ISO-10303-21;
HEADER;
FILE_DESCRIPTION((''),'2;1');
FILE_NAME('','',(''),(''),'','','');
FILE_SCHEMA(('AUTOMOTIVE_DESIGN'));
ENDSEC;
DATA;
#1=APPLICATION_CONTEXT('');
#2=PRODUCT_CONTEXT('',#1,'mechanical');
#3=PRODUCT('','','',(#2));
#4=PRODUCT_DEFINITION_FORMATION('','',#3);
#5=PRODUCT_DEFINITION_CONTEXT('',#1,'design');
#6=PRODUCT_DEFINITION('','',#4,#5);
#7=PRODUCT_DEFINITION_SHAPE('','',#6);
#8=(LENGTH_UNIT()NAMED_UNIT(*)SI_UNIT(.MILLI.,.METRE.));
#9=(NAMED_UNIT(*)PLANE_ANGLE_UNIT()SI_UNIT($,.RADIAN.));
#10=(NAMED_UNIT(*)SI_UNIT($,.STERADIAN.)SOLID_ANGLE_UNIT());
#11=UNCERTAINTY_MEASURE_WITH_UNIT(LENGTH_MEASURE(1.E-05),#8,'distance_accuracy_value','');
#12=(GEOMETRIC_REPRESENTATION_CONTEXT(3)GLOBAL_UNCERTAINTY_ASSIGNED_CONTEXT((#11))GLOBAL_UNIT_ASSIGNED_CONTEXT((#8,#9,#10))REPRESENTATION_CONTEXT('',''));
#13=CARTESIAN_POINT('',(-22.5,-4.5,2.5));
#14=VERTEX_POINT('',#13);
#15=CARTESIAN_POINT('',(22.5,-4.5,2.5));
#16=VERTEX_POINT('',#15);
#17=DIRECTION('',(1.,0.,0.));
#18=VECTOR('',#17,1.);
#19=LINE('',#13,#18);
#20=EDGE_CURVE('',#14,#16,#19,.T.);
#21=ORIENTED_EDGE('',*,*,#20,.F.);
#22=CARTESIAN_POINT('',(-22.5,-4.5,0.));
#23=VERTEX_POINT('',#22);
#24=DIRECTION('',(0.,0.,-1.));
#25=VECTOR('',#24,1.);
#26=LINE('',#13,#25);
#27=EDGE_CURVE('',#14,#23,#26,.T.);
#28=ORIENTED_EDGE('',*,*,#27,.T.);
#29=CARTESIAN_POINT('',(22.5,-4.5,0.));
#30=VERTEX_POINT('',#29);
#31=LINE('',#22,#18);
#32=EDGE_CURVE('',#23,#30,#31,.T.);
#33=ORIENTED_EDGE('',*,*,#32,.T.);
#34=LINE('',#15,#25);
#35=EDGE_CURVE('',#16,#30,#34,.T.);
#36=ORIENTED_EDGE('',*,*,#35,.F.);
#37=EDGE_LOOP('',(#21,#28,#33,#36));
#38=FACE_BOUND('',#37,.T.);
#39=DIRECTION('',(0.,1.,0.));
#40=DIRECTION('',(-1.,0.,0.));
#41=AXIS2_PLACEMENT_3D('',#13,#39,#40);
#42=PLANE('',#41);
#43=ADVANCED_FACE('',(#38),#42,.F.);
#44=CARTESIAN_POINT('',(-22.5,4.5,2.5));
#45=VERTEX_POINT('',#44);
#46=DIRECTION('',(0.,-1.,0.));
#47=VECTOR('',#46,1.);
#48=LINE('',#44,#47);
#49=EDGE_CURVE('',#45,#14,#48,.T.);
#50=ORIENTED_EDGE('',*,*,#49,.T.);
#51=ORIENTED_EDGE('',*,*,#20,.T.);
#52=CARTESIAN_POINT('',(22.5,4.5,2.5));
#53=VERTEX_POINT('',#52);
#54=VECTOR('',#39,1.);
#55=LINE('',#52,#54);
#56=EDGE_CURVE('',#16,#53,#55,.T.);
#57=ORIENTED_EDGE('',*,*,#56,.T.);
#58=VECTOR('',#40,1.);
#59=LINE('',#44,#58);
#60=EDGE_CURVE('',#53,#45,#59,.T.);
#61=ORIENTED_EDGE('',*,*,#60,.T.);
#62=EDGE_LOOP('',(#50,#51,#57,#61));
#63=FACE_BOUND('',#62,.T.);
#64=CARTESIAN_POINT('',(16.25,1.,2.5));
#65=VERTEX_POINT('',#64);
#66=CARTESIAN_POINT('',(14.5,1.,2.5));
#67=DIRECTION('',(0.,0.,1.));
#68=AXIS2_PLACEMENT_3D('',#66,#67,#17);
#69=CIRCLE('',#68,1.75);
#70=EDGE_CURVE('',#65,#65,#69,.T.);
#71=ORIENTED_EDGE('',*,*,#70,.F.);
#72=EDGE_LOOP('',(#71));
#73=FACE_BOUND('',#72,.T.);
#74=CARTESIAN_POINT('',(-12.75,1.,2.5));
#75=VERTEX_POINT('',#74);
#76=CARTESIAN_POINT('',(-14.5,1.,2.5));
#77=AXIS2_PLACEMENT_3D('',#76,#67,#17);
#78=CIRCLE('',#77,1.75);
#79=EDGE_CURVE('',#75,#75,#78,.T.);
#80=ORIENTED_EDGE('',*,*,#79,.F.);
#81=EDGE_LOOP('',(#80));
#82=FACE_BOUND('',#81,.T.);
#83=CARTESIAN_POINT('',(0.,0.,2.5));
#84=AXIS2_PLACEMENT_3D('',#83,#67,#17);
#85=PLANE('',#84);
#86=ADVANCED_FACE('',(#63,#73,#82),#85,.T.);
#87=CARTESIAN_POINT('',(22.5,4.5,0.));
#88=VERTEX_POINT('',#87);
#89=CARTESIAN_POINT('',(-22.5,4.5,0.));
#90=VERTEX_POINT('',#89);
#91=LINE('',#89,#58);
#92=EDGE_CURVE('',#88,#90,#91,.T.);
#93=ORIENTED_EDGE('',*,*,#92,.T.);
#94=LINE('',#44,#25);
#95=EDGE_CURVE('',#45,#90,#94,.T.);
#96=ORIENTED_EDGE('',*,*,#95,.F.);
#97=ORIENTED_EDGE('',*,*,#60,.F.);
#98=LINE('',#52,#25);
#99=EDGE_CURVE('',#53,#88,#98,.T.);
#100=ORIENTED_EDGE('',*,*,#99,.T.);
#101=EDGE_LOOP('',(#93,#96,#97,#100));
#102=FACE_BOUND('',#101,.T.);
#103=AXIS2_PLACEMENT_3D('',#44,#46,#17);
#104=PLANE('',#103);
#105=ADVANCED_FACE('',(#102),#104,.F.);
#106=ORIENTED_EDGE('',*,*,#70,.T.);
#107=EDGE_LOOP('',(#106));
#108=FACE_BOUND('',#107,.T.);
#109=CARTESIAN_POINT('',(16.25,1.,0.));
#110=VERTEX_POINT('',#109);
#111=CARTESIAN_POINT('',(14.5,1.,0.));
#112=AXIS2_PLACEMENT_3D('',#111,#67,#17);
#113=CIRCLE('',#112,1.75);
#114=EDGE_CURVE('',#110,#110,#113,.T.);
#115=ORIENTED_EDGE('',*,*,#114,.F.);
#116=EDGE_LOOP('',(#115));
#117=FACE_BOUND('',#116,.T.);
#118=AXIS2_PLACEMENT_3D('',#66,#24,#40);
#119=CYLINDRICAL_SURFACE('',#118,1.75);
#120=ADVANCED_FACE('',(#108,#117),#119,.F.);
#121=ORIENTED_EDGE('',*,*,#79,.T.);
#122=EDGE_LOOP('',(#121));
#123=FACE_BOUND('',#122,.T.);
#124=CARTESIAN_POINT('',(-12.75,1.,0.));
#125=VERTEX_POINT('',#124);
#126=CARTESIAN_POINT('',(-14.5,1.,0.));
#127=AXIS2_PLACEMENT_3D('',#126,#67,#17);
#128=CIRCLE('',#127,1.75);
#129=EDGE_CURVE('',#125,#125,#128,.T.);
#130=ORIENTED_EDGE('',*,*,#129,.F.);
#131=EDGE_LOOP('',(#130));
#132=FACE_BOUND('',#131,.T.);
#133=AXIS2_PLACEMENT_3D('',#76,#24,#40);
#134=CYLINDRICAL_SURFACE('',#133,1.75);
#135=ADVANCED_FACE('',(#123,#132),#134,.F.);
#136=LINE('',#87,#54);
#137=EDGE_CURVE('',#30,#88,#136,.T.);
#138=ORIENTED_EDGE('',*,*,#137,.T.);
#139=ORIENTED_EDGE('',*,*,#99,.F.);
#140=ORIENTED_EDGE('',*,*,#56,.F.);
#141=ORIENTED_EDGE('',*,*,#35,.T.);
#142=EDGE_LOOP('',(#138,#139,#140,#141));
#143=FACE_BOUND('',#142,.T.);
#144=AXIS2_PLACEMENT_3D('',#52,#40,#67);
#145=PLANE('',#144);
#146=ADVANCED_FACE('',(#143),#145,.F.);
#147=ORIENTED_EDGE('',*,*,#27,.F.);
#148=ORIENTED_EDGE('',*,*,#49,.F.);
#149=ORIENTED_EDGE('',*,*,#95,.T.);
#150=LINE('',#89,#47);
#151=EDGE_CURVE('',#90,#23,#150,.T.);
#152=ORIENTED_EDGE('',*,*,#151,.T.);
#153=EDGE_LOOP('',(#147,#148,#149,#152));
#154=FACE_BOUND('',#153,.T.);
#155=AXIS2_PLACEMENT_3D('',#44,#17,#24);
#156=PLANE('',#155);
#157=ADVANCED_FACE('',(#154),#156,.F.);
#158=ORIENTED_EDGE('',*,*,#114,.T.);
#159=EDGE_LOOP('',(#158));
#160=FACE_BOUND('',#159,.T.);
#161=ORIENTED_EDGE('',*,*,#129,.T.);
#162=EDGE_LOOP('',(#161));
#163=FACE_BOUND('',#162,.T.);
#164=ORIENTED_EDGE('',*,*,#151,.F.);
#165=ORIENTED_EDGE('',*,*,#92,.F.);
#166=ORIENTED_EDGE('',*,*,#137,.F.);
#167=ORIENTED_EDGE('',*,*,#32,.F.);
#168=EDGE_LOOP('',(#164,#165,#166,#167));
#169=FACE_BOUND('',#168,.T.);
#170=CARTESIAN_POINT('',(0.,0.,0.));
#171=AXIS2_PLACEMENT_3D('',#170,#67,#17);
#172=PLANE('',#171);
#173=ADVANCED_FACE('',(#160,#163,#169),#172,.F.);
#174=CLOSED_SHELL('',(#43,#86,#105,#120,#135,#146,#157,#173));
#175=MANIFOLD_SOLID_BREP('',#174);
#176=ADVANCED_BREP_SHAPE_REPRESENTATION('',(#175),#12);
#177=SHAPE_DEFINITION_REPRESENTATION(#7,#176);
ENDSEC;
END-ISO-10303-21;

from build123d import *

# Parameters (mm, degrees)
SKETCH1_W           = 45
SKETCH1_H           = 9
SKETCH1_R           = 1.75
BOSS_EXTRUDE1_DEPTH = 2.5


with BuildPart() as part:
    # Sketch1 → Boss-Extrude1 (new body)
    with BuildSketch(Plane.XY):
        Rectangle(SKETCH1_W, SKETCH1_H)
        with Locations((-14.5, 1)):
            Circle(SKETCH1_R, mode=Mode.SUBTRACT)
        with Locations((14.5, 1)):
            Circle(SKETCH1_R, mode=Mode.SUBTRACT)
    extrude(amount=BOSS_EXTRUDE1_DEPTH)


solid = part.part
